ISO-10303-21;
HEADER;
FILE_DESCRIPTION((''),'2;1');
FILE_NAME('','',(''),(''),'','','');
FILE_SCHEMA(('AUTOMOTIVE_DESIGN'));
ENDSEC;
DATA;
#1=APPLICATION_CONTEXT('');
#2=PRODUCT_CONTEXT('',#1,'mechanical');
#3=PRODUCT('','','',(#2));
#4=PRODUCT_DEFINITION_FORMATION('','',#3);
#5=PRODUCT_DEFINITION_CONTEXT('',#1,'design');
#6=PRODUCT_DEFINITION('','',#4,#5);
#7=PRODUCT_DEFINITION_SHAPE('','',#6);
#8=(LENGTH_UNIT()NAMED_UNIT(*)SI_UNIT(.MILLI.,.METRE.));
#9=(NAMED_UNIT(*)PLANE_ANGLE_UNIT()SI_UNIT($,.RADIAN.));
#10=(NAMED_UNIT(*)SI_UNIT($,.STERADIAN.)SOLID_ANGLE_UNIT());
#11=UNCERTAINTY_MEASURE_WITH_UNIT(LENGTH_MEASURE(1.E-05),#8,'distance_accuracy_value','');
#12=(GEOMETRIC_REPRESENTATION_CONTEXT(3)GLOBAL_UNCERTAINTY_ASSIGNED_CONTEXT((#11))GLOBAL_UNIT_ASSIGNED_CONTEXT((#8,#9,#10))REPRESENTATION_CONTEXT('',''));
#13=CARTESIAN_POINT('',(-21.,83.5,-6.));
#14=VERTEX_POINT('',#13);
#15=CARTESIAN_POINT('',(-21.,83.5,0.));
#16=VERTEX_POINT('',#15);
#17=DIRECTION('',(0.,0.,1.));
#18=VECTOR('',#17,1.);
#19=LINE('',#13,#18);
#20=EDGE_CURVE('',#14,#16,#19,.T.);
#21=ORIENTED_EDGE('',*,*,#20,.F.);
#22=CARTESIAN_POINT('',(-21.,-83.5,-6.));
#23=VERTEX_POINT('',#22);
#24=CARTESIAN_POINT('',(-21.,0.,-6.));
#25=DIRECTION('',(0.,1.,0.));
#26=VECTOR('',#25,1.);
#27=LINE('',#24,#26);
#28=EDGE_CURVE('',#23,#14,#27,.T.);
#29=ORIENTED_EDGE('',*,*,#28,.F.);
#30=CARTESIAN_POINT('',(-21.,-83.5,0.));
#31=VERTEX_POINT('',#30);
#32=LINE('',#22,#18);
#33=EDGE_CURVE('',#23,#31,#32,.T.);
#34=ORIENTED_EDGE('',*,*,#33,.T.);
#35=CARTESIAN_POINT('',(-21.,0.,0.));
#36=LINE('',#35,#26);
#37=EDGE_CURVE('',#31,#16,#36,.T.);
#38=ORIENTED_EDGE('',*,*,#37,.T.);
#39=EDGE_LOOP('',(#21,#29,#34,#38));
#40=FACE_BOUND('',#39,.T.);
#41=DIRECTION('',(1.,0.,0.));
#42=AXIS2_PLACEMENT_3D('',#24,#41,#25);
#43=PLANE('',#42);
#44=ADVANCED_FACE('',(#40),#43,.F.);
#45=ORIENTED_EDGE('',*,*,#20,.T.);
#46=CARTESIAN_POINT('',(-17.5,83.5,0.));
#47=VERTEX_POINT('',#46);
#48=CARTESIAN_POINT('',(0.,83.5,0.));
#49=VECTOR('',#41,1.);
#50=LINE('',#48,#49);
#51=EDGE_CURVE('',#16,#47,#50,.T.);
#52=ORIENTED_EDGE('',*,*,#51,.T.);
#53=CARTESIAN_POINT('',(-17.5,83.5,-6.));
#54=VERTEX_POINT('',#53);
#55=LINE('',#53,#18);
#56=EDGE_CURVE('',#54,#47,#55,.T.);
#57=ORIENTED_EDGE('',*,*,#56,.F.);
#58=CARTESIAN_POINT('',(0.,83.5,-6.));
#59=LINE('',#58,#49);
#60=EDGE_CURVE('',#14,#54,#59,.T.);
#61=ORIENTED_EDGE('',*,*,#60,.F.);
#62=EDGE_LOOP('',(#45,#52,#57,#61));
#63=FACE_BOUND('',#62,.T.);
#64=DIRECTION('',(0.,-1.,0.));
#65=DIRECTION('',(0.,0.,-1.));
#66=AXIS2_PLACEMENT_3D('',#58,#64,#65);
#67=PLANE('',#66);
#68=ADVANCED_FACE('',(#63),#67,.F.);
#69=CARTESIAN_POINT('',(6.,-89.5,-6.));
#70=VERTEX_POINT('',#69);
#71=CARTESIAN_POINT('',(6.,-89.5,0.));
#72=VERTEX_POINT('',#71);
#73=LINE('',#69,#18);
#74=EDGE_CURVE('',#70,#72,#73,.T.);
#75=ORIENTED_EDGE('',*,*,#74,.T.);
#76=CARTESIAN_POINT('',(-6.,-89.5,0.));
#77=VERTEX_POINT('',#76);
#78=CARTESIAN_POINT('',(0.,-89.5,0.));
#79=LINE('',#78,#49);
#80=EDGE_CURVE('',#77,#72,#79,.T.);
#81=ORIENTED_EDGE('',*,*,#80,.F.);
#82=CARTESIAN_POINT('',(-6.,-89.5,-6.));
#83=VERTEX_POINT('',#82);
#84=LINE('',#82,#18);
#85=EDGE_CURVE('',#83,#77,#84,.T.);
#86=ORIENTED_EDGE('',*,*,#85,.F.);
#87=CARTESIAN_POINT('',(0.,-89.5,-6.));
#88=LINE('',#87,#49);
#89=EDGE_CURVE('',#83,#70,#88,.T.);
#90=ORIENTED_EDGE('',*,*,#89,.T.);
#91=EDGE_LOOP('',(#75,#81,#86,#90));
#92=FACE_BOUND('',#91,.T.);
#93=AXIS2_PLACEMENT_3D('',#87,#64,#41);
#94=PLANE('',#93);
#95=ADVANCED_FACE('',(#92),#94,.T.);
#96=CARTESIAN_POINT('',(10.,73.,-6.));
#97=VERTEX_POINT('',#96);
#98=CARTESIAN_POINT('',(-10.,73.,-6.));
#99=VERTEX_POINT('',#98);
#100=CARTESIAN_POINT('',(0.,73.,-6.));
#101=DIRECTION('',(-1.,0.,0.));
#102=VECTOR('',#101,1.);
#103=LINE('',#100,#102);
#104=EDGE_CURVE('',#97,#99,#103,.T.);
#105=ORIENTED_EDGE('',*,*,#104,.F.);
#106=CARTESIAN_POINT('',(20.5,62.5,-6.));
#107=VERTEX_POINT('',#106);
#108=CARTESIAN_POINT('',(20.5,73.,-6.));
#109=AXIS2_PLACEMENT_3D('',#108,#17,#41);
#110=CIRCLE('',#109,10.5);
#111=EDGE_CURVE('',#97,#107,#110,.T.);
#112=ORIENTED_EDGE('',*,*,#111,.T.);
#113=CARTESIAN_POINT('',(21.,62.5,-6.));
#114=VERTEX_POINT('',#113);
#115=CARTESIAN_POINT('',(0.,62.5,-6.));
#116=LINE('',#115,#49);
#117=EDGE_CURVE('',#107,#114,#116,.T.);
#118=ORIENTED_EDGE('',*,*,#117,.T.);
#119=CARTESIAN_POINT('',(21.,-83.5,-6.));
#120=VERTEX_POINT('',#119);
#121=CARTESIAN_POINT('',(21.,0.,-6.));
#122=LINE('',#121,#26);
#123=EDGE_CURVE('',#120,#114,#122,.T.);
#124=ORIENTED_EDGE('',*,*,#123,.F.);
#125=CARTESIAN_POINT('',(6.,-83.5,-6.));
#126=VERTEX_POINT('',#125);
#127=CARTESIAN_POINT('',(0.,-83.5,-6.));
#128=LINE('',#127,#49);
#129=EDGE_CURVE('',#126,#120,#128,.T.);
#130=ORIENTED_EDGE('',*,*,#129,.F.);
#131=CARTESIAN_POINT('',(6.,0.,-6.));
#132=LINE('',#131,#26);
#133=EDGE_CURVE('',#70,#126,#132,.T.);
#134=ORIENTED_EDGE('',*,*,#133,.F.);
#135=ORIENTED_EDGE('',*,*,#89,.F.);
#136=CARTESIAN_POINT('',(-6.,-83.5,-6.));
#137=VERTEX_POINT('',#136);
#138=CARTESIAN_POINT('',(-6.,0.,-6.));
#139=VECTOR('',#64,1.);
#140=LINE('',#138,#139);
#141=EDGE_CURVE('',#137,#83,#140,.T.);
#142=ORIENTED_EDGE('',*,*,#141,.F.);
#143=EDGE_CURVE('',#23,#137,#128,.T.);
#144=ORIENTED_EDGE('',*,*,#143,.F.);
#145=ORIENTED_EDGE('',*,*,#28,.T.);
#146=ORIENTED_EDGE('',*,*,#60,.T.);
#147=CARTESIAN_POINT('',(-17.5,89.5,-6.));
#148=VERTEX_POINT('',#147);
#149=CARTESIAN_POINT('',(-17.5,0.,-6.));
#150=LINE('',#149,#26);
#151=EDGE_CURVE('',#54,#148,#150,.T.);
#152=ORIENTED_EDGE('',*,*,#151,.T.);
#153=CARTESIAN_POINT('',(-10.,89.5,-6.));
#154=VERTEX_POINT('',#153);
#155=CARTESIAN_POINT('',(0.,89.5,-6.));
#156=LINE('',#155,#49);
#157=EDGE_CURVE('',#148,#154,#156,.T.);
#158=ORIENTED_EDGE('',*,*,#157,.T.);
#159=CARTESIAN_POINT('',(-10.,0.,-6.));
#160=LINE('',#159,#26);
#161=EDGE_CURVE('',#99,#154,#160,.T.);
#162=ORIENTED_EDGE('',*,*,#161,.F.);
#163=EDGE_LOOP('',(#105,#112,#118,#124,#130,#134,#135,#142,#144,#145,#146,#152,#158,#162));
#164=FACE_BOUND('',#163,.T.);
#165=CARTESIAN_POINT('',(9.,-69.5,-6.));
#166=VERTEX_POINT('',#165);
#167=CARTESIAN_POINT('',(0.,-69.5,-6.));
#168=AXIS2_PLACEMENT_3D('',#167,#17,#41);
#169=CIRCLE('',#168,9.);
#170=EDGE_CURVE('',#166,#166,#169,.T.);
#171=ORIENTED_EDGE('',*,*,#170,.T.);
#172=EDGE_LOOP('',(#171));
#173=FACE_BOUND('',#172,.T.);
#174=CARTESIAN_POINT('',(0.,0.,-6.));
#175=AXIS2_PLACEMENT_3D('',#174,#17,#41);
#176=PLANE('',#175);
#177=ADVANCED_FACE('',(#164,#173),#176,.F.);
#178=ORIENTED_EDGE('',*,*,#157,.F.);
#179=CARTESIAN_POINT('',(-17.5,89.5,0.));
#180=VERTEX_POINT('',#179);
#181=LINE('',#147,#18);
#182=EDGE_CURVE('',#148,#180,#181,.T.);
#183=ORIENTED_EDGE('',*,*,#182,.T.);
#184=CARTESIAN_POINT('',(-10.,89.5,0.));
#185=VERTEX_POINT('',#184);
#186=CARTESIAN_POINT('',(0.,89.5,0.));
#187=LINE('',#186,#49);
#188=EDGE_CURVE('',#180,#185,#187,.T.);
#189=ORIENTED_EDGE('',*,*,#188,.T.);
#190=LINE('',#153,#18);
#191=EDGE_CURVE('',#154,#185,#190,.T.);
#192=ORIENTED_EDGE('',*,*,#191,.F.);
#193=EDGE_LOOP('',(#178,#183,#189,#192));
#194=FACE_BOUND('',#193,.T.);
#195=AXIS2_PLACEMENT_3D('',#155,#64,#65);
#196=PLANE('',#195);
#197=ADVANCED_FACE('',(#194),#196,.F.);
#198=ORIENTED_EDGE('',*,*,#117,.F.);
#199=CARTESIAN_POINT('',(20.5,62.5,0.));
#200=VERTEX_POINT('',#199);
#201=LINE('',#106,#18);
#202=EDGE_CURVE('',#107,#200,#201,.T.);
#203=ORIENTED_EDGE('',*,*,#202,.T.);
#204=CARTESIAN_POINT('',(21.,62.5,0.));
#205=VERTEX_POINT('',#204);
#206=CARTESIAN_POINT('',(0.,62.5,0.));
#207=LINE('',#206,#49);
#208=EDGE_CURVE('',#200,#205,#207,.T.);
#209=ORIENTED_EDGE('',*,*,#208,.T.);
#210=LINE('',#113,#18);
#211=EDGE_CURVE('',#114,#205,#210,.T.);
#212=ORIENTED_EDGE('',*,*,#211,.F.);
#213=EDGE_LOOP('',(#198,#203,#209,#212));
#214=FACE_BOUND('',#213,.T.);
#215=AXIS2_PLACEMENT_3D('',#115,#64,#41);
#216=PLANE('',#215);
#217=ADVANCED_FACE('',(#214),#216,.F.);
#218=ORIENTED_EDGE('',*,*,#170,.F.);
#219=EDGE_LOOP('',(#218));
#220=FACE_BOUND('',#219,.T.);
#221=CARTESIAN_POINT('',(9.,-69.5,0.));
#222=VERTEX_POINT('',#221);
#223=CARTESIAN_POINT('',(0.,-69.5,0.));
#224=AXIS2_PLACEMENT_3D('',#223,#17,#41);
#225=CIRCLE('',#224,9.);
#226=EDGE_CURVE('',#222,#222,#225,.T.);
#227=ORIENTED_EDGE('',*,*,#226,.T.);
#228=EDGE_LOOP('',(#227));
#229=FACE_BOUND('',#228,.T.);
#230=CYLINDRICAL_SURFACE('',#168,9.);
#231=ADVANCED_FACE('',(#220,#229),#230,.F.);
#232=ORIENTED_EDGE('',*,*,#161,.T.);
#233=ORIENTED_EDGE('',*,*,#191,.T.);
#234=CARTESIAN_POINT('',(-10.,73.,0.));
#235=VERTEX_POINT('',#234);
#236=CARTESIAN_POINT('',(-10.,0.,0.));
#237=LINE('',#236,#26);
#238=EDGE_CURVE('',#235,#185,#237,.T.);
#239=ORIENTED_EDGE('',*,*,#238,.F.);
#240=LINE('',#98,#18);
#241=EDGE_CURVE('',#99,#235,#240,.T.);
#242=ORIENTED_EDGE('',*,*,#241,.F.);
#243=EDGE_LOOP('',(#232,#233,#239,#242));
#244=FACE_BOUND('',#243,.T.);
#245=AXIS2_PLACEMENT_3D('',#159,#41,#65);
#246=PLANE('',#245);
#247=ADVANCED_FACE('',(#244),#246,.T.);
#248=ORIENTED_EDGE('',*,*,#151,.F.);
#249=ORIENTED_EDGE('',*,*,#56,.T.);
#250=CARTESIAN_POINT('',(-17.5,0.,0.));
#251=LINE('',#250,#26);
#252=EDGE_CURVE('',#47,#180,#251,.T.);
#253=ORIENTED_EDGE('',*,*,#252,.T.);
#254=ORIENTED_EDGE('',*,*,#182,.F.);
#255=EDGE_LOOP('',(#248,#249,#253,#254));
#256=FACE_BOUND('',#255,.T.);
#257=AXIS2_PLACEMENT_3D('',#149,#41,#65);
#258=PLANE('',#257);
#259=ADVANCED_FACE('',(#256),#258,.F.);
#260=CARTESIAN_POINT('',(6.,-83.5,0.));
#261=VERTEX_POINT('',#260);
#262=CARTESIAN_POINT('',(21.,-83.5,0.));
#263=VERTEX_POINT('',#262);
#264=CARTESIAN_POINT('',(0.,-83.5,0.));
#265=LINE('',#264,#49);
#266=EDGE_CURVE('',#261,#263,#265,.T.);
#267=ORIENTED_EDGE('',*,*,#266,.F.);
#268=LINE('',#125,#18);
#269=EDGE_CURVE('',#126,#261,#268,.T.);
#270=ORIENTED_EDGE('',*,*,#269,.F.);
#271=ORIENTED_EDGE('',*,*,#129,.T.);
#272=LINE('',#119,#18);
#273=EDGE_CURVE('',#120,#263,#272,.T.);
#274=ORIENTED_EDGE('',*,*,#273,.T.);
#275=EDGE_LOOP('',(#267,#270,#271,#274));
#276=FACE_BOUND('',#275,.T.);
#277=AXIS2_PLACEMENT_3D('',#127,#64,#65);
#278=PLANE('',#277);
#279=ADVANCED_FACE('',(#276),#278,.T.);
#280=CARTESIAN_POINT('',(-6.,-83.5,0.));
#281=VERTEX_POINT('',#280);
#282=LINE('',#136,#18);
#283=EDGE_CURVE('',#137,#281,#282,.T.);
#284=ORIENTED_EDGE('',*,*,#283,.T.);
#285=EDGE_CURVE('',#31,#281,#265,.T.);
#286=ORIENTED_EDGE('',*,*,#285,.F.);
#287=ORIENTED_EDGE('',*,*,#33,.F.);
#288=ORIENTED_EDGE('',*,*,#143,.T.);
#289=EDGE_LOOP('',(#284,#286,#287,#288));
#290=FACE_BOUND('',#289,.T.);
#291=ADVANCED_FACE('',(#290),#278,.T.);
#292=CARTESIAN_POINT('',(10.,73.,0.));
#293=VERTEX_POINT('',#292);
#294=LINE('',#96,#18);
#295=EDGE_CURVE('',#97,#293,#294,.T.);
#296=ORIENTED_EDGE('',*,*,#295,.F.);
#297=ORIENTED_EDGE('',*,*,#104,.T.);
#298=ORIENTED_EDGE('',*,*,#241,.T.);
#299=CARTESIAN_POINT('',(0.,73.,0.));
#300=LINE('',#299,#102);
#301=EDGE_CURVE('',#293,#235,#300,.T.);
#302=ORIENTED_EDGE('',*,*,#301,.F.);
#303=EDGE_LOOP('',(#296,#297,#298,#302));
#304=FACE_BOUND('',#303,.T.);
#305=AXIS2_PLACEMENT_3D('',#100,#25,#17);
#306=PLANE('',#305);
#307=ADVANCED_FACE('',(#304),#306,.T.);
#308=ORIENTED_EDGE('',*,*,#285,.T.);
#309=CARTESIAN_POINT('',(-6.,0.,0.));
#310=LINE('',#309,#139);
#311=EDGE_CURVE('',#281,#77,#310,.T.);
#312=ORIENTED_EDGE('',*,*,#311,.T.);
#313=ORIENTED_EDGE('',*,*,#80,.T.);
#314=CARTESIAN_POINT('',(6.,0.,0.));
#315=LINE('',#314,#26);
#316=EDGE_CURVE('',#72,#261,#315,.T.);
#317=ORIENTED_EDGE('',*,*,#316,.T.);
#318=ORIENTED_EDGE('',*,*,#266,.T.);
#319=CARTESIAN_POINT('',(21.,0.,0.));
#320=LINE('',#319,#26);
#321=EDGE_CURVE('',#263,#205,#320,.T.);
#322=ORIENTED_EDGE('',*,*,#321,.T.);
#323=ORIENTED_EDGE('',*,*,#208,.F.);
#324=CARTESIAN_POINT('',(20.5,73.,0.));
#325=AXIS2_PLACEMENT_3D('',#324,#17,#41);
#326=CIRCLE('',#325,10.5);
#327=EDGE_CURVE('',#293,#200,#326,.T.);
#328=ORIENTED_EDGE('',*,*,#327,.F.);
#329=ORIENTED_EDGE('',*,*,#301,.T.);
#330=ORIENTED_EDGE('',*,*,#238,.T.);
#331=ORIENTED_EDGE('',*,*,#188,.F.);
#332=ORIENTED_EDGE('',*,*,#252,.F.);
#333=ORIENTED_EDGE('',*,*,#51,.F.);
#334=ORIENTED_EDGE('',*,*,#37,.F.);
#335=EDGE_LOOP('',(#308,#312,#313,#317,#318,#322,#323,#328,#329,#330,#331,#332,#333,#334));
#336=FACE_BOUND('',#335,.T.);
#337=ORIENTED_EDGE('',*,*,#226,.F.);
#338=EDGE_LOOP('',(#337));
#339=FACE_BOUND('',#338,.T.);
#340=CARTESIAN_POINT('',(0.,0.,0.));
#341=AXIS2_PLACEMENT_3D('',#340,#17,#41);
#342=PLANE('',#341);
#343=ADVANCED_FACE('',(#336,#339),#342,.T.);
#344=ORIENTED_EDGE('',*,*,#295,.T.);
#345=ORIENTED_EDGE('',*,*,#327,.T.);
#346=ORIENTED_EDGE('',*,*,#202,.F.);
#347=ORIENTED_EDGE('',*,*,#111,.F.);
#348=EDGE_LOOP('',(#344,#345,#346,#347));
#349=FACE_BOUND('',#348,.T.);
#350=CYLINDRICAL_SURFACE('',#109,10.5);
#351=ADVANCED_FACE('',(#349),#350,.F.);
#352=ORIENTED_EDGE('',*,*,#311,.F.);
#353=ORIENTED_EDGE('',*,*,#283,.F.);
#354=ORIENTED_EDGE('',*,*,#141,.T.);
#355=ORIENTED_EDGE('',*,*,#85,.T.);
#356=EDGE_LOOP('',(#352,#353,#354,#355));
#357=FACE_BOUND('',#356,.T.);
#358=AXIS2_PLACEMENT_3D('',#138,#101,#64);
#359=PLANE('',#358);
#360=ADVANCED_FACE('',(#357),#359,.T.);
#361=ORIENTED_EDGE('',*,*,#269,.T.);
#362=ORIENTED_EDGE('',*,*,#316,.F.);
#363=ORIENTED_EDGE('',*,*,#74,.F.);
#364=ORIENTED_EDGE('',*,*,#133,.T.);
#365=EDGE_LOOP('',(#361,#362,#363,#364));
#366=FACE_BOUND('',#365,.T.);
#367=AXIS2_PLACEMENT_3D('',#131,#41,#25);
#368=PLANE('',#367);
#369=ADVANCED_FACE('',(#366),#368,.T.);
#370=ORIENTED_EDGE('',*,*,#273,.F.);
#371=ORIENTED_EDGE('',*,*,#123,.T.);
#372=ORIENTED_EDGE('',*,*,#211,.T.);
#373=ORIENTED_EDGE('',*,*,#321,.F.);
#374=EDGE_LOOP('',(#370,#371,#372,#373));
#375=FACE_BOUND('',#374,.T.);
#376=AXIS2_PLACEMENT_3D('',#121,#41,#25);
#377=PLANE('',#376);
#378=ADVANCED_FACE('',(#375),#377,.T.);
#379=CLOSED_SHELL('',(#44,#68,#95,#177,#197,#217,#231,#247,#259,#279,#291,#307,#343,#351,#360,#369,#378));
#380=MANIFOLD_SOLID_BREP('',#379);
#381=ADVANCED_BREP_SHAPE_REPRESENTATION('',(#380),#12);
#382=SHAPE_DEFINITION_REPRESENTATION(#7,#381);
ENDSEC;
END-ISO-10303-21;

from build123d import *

# Parameters (mm, degrees)
SKETCH1_R           = 9
SKETCH1_W           = 6
SKETCH1_H           = 6
SKETCH1_W_2         = 7.5
BOSS_EXTRUDE1_DEPTH = 6


with BuildPart() as part:
    # Sketch1 → Boss-Extrude1 (new body)
    with BuildSketch(Plane.XY):
        with BuildLine():
            ThreePointArc((20.5, 62.5), (13.075378798, 65.575378798), (10, 73))
            Line((10, 73), (-10, 73))
            Line((-10, 73), (-10, 83.5))
            Line((-10, 83.5), (-17.5, 83.5))
            Line((-17.5, 83.5), (-21, 83.5))
            Line((-21, 83.5), (-21, -83.5))
            Line((-21, -83.5), (-6, -83.5))
            Line((-6, -83.5), (0, -83.5))
            Line((0, -83.5), (6, -83.5))
            Line((6, -83.5), (21, -83.5))
            Line((21, -83.5), (21, 62.5))
            Line((21, 62.5), (20.5, 62.5))
        make_face()
        with Locations((0, -69.5)):
            Circle(SKETCH1_R, mode=Mode.SUBTRACT)
        with Locations((3, -86.5)):
            Rectangle(SKETCH1_W, SKETCH1_H)
        with Locations((-3, -86.5)):
            Rectangle(SKETCH1_W, SKETCH1_H)
        with Locations((-13.75, 86.5)):
            Rectangle(SKETCH1_W_2, SKETCH1_H)
    extrude(amount=-BOSS_EXTRUDE1_DEPTH)


solid = part.part
